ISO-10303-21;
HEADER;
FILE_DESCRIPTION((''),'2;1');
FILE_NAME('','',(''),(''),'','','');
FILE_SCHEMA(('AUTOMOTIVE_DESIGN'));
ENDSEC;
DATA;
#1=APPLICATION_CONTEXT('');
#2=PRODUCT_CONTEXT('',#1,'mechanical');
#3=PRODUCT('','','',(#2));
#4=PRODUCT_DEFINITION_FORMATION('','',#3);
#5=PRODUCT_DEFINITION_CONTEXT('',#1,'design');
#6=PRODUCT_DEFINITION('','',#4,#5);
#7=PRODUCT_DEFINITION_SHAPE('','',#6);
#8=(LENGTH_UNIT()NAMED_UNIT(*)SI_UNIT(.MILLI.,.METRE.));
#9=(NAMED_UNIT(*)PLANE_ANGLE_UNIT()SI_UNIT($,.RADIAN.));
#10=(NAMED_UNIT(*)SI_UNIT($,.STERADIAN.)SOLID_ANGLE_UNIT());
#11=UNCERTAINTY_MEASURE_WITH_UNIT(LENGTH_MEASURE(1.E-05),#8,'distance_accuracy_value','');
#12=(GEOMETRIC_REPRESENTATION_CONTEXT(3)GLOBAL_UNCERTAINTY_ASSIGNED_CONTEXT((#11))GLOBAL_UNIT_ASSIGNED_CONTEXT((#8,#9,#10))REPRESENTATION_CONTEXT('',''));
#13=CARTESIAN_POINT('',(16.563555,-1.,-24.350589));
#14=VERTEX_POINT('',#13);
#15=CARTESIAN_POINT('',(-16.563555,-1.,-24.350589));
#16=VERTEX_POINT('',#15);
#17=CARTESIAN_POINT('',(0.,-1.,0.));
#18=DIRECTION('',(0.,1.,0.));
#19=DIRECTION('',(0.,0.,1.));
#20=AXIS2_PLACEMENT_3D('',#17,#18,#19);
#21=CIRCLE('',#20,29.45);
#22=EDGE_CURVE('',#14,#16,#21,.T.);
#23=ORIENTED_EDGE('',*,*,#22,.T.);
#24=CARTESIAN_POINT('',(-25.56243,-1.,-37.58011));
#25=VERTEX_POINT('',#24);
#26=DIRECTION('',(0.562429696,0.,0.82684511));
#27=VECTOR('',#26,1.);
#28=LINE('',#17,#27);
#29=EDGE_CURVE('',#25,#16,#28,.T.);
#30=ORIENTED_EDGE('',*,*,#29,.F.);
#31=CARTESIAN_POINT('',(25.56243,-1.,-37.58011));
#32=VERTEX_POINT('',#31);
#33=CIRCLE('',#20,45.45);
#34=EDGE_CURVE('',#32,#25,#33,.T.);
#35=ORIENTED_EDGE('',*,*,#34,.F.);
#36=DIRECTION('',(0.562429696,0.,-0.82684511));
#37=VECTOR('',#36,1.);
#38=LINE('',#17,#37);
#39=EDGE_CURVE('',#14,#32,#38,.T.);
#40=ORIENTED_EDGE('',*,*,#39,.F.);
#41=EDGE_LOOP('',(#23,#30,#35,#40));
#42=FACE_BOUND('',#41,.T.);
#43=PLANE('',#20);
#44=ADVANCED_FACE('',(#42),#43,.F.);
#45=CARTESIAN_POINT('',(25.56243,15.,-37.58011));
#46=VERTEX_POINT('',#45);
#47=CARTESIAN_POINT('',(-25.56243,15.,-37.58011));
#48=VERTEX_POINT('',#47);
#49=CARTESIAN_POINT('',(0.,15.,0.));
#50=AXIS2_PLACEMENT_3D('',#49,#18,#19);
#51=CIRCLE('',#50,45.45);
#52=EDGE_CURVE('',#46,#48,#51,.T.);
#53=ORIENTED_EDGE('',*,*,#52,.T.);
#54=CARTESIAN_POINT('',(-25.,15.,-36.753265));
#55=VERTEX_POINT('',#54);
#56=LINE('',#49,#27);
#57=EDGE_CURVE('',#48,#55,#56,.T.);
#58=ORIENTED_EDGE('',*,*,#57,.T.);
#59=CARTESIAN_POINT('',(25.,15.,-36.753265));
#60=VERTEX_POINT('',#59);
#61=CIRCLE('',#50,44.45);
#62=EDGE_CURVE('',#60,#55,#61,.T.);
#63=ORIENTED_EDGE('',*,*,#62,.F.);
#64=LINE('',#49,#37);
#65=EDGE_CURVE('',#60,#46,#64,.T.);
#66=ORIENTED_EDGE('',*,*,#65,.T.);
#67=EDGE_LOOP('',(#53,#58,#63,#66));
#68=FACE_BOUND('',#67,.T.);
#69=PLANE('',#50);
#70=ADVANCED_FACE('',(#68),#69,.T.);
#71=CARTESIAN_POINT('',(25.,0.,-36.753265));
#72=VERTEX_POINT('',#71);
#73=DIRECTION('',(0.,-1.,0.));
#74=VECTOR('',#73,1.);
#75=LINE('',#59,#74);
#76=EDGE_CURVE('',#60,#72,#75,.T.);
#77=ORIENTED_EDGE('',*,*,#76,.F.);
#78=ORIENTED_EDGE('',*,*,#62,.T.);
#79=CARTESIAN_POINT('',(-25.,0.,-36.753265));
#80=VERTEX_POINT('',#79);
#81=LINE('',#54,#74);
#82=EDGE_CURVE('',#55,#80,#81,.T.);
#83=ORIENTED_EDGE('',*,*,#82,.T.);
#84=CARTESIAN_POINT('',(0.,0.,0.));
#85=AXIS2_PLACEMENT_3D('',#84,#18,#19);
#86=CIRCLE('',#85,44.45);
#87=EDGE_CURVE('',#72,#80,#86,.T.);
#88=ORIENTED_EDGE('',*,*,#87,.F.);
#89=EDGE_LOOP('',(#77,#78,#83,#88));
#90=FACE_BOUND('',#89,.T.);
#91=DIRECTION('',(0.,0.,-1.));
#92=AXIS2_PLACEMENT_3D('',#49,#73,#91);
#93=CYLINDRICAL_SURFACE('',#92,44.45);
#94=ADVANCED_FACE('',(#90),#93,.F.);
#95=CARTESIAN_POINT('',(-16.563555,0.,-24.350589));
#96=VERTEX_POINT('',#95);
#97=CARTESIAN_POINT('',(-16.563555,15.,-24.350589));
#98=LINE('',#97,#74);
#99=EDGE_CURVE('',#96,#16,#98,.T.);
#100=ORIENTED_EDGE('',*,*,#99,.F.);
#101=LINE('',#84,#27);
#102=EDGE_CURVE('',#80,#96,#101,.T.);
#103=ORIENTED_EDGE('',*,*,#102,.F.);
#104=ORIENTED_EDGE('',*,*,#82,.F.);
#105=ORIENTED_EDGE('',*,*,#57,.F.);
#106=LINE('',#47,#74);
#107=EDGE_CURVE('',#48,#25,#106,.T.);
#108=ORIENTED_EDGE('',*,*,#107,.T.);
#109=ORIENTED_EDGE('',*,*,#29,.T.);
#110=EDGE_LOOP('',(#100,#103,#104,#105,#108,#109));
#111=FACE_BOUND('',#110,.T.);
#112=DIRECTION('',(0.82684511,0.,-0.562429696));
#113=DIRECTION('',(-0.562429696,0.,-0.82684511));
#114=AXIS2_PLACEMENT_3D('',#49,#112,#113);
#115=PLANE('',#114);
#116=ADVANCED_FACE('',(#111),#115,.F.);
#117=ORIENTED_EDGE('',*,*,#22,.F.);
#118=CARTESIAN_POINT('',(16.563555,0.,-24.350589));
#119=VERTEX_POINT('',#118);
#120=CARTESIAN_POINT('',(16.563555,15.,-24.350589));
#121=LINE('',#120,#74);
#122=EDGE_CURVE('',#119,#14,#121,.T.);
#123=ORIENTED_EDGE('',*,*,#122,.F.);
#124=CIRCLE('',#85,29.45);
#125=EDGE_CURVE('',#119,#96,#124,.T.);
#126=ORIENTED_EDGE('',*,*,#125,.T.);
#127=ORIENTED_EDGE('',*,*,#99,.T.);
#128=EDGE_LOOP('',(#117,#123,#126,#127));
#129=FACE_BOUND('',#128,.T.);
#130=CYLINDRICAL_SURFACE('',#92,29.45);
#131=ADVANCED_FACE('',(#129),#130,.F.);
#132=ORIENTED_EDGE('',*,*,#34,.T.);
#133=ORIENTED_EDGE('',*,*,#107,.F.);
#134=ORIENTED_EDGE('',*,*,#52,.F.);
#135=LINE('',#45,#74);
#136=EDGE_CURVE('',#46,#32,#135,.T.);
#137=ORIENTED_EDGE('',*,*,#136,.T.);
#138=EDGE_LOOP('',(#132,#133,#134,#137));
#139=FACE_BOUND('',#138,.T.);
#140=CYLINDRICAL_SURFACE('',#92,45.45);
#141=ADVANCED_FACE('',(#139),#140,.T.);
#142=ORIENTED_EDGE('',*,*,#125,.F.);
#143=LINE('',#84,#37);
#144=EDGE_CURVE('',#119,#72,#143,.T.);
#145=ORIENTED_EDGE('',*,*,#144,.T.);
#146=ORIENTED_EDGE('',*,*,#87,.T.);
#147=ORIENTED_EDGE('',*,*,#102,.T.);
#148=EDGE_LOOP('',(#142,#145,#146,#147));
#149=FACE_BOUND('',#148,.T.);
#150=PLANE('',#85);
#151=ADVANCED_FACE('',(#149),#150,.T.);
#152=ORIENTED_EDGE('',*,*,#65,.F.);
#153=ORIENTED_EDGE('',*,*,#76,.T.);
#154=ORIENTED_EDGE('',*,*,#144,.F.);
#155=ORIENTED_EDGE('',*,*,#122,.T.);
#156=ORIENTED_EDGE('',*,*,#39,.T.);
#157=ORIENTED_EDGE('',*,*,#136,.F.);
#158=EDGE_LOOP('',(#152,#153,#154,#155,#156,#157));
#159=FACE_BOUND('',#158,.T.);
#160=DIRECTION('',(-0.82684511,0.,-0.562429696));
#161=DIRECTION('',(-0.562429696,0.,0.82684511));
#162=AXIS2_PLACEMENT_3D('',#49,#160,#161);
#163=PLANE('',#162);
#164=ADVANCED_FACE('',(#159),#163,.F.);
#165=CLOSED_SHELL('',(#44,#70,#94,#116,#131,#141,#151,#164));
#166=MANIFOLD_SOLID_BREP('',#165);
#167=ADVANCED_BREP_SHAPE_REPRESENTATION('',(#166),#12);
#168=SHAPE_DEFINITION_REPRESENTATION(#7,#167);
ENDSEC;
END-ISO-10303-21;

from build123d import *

# Parameters (mm, degrees)
BOSS_EXTRUDE1_DEPTH = 15
SHELL1_T            = 1


with BuildPart() as part:
    # Sketch1 → Boss-Extrude1 (new body)
    with BuildSketch(Plane(origin=(0, 0, 0), x_dir=(1, 0, 0), z_dir=(0, 1, 0))):
        with BuildLine():
            ThreePointArc((25, 36.753265161), (0, 44.45), (-25, 36.753265161))
            Line((-25, 36.753265161), (-16.563554556, 24.350588504))
            ThreePointArc((-16.563554556, 24.350588504), (0, 29.45), (16.563554556, 24.350588504))
            Line((16.563554556, 24.350588504), (25, 36.753265161))
        make_face()
    extrude(amount=BOSS_EXTRUDE1_DEPTH)

    # Shell1
    shell1_openings = [part.faces().sort_by_distance(p)[0] for p in [
        (20.781777278, 7.5, -30.551926832),
        (-20.781777278, 7.5, -30.551926832),
        (0, 7.5, -29.45),
        (0, 15, -35.269418501),
    ]]
    offset(amount=SHELL1_T, openings=shell1_openings, kind=Kind.INTERSECTION)


solid = part.part
